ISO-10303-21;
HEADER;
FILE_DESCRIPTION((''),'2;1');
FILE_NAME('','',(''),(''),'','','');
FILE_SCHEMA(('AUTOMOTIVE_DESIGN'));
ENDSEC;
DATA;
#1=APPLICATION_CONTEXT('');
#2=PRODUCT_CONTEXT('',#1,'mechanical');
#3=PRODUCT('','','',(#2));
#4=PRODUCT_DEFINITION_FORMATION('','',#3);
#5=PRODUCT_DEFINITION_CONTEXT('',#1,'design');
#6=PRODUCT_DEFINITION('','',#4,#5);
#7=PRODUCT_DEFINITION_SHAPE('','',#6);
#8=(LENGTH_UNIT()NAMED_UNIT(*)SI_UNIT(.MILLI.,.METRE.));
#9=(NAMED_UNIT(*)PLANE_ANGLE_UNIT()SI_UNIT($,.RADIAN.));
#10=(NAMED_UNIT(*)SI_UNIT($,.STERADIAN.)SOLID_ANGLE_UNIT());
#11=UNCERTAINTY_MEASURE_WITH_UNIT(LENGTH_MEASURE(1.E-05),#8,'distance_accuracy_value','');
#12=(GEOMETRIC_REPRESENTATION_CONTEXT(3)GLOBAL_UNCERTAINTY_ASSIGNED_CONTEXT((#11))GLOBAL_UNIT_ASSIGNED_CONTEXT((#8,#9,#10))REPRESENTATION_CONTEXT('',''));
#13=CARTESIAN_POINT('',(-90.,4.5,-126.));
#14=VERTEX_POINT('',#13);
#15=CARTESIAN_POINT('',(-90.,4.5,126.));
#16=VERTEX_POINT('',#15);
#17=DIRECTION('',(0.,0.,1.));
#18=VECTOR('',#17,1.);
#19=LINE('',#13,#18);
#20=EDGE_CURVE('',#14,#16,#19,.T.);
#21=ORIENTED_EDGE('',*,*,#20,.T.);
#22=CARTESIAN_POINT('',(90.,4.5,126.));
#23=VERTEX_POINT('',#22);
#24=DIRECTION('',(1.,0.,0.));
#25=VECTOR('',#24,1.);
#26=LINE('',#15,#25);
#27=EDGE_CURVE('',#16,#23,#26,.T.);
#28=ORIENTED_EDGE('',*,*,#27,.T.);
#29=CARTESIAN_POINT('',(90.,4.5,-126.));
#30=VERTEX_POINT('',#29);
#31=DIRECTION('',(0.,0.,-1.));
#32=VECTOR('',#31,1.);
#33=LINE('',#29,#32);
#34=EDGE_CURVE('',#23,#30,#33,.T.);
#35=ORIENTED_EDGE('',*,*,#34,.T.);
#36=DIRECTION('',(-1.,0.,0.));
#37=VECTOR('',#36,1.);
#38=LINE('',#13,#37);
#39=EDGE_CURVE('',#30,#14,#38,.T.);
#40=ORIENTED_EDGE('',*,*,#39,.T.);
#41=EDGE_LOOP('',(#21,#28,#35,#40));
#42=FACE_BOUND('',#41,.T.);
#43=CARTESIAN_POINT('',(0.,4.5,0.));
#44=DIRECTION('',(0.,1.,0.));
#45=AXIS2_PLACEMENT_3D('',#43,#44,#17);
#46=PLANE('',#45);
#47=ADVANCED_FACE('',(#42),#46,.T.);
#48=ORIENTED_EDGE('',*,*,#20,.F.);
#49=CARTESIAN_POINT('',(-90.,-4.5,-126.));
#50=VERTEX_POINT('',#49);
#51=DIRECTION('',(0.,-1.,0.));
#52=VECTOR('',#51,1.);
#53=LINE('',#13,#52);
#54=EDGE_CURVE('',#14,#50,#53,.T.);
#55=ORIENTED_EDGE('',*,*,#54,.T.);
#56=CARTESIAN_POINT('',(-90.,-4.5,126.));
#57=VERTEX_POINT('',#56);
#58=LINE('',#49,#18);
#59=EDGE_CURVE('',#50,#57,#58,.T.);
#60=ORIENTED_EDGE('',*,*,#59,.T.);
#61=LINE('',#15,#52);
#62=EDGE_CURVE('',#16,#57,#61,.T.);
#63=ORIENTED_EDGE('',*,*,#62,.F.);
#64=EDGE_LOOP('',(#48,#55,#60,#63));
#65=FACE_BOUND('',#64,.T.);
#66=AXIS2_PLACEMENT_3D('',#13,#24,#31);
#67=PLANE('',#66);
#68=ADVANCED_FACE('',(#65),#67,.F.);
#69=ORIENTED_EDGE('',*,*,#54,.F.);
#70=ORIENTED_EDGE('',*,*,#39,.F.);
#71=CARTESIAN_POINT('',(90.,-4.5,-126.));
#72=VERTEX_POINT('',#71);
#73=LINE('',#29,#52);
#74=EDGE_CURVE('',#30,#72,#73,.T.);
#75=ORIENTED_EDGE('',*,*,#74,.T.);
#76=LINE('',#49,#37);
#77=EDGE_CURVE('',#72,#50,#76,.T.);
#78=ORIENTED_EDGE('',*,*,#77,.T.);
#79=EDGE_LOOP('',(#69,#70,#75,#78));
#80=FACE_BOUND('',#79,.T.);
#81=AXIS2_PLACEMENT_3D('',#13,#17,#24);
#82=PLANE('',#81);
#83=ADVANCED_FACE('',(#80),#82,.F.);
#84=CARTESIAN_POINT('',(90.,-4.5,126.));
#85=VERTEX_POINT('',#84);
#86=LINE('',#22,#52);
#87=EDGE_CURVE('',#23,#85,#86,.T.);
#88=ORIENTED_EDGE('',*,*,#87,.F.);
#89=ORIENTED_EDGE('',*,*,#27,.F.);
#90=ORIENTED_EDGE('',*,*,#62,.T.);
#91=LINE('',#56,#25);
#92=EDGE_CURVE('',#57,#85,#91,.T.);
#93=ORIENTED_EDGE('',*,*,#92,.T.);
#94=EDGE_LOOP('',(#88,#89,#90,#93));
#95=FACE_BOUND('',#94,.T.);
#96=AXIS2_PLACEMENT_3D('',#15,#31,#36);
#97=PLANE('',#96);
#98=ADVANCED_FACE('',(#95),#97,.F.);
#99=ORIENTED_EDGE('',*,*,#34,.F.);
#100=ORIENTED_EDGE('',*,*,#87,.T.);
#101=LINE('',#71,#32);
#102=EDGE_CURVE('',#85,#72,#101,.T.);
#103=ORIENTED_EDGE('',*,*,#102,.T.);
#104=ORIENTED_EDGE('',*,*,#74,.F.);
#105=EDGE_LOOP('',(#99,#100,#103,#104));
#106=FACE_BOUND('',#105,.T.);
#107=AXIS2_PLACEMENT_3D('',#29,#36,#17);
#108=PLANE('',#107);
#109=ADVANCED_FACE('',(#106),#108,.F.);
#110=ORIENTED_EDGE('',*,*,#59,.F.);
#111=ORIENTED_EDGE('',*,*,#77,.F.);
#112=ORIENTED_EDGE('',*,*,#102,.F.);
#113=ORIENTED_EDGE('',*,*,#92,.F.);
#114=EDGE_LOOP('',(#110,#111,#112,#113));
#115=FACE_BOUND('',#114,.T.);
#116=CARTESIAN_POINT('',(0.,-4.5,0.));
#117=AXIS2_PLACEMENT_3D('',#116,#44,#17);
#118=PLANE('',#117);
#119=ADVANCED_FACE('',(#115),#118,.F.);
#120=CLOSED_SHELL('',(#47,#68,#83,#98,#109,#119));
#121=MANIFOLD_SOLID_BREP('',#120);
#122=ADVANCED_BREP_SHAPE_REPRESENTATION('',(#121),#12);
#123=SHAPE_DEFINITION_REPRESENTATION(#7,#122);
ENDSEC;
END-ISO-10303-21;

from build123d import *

# Parameters (mm, degrees)
SKETCH1_W           = 180
SKETCH1_H           = 252
BOSS_EXTRUDE1_DEPTH = 4.5


with BuildPart() as part:
    # Sketch1 → Boss-Extrude1 (new, symmetric)
    with BuildSketch(Plane(origin=(0, 0, 0), x_dir=(1, 0, 0), z_dir=(0, 1, 0))):
        Rectangle(SKETCH1_W, SKETCH1_H)
    extrude(amount=BOSS_EXTRUDE1_DEPTH, both=True)


solid = part.part
